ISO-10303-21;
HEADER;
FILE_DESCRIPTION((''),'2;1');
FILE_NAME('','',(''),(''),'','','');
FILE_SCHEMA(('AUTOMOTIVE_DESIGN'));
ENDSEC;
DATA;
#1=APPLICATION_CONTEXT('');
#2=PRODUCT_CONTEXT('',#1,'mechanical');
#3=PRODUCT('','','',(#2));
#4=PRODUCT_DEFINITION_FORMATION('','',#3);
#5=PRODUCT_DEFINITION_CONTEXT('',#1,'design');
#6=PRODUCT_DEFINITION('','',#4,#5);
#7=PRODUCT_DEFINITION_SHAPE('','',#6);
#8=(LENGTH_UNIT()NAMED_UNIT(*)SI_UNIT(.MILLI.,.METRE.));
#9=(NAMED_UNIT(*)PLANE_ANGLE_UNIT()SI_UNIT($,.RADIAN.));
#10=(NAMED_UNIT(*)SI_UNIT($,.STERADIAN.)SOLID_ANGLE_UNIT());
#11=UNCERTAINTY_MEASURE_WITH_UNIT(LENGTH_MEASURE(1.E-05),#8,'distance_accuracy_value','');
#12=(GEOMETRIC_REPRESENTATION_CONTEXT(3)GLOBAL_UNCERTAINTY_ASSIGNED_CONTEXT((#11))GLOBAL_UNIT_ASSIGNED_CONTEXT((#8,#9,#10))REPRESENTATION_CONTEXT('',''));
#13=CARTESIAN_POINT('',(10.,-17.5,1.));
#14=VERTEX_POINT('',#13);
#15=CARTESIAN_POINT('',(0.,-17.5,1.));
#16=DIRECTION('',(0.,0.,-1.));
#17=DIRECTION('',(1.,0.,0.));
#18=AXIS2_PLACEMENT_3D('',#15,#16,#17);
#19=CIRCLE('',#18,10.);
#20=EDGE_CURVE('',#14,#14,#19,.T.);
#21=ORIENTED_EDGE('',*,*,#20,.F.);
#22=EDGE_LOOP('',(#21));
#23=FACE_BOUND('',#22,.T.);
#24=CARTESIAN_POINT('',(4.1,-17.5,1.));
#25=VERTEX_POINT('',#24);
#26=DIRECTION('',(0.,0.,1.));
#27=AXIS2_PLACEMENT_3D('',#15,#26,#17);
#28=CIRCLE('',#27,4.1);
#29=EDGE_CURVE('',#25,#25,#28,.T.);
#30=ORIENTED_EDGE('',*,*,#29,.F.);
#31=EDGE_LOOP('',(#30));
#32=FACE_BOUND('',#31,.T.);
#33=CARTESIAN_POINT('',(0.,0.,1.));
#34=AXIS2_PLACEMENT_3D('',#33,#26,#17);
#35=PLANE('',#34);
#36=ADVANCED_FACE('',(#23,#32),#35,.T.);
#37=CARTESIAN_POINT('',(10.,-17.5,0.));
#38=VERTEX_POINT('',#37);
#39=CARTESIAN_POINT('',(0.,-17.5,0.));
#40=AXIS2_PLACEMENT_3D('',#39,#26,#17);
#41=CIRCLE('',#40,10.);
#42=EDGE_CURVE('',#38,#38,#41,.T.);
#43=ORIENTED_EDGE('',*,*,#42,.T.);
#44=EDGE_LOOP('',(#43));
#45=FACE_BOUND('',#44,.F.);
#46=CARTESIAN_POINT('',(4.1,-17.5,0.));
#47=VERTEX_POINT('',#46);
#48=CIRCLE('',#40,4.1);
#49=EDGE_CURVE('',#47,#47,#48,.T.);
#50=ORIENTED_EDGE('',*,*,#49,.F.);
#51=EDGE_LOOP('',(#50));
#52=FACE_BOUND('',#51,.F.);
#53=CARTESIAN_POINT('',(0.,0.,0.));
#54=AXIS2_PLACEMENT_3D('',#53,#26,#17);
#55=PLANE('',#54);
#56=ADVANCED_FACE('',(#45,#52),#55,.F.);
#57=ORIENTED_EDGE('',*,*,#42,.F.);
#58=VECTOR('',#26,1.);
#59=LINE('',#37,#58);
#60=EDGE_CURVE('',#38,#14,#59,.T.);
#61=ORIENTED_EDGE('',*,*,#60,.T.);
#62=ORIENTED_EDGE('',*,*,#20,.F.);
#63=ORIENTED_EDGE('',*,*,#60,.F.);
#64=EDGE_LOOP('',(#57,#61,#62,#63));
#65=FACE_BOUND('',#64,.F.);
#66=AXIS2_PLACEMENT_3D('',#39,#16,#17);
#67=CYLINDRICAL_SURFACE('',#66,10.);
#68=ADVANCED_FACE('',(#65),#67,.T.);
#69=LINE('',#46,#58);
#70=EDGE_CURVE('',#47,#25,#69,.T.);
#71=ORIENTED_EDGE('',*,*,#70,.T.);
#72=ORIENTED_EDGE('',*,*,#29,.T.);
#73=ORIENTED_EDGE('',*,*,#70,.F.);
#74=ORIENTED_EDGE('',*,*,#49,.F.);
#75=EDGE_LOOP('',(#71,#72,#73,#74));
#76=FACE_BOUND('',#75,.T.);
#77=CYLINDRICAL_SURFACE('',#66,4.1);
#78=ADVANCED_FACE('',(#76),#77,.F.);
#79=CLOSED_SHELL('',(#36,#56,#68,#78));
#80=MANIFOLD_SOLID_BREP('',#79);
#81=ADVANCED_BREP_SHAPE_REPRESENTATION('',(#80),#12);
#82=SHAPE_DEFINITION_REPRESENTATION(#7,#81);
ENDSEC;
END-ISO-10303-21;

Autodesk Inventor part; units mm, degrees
ref_plane "YZ Plane" through (0, 0, 0) normal (1, 0, 0) x (0, 1, 0)
ref_plane "XZ Plane" through (0, 0, 0) normal (0, 1, 0) x (-1, 0, 0)
ref_plane "XY Plane" through (0, 0, 0) normal (0, 0, 1) x (1, 0, 0)
ref_plane "작업 평면1" through (0, 0, 0) normal (0, 0, 1) x (1, 0, 0)
sketch "스케치1" plane through (0, 0, 0) normal (0, 0, 1) x (1, 0, 0)
  circle A0 centre (-3, -27.5) radius 1.35 projected
  circle A1 centre (3, -27.5) radius 1.35 projected
  line L0 (4.4, -3.4094) -> (4.4, -19.8749) projected
  arc A2 (-4.4, -19.8749) -> (4.4, -19.8749) centre (0, -17.5) ccw projected
  line L1 (-4.4, -19.8749) -> (-4.4, -3.4094) projected
  arc A3 (4.4, -3.4094) -> (-4.4, -3.4094) centre (0, -5.7843) ccw projected
  circle A4 centre (0, 22.5) radius 4 projected
  arc A5 (-2.7698, 16.0713) -> (2.7698, 16.0713) centre (0, 22.5) ccw projected
  arc A6 (5.5454, 14.4845) -> (2.7698, 16.0713) centre (3.5611, 14.2345) ccw projected
  line L2 (5.5454, 14.4845) -> (6.9428, 3.3933) projected
  arc A7 (3.9674, 1.4062) -> (6.9428, 3.3933) centre (4.9585, 3.1433) ccw projected
  arc A8 (3.9674, 1.4062) -> (-3.9674, 1.4062) centre (0, -5.5476) ccw projected
  arc A9 (-6.9428, 3.3933) -> (-3.9674, 1.4062) centre (-4.9585, 3.1433) ccw projected
  line L3 (-6.9428, 3.3933) -> (-5.5454, 14.4845) projected
  arc A10 (-2.7698, 16.0713) -> (-5.5454, 14.4845) centre (-3.5611, 14.2345) ccw projected
  arc A11 (-12.5, -19.9495) -> (-9.6429, -26.948) centre (-2.5, -19.9495) ccw projected
  arc A12 (-9.6429, -26.948) -> (9.6429, -26.948) centre (0, -17.5) ccw projected
  arc A13 (9.6429, -26.948) -> (12.5, -19.9495) centre (2.5, -19.9495) ccw projected
  line L4 (12.5, -19.9495) -> (12.5, -17.5) projected
  arc A14 (12.5, -17.5) -> (12.402, -15.9375) centre (0, -17.5) ccw projected
  line L5 (7.4412, 23.4375) -> (12.402, -15.9375) projected
  arc A15 (7.4412, 23.4375) -> (-7.4412, 23.4375) centre (0, 22.5) ccw projected
  line L6 (-12.402, -15.9375) -> (-7.4412, 23.4375) projected
  arc A16 (-12.402, -15.9375) -> (-12.5, -17.5) centre (0, -17.5) ccw projected
  line L7 (-12.5, -17.5) -> (-12.5, -19.9495) projected
  circle A17 centre (0, -17.5) radius 3 projected
  line L8 (-4.4, -16.5566) -> (-4.4, -18.4434) projected
  arc A18 (-4.4, -18.4434) -> (4.4, -18.4434) centre (0, -17.5) ccw projected
  line L9 (4.4, -18.4434) -> (4.4, -16.5566) projected
  arc A19 (4.4, -16.5566) -> (-4.4, -16.5566) centre (0, -17.5) ccw projected
  circle A20 centre (0, -17.5) radius 4.1
  circle A21 centre (0, -17.5) radius 10
  point P0 (0, 0)
  dimension "d0" = 8.2
  dimension "d1" = 20
extrude "돌출1" add sketch "스케치1" along normal blind 1 contours A21 A0 | A0 A21 L1 A2 L0 A1 | A1 A21 | A21 L0 A19 L1 | A19 L0 A18 L1 | A18 L0 A2 L1 picked at (-2.7847, -26.7823) picked at (2.7847, -26.7823)
properties part number "WSSS20-8-11" material "스테인리스스틸"
